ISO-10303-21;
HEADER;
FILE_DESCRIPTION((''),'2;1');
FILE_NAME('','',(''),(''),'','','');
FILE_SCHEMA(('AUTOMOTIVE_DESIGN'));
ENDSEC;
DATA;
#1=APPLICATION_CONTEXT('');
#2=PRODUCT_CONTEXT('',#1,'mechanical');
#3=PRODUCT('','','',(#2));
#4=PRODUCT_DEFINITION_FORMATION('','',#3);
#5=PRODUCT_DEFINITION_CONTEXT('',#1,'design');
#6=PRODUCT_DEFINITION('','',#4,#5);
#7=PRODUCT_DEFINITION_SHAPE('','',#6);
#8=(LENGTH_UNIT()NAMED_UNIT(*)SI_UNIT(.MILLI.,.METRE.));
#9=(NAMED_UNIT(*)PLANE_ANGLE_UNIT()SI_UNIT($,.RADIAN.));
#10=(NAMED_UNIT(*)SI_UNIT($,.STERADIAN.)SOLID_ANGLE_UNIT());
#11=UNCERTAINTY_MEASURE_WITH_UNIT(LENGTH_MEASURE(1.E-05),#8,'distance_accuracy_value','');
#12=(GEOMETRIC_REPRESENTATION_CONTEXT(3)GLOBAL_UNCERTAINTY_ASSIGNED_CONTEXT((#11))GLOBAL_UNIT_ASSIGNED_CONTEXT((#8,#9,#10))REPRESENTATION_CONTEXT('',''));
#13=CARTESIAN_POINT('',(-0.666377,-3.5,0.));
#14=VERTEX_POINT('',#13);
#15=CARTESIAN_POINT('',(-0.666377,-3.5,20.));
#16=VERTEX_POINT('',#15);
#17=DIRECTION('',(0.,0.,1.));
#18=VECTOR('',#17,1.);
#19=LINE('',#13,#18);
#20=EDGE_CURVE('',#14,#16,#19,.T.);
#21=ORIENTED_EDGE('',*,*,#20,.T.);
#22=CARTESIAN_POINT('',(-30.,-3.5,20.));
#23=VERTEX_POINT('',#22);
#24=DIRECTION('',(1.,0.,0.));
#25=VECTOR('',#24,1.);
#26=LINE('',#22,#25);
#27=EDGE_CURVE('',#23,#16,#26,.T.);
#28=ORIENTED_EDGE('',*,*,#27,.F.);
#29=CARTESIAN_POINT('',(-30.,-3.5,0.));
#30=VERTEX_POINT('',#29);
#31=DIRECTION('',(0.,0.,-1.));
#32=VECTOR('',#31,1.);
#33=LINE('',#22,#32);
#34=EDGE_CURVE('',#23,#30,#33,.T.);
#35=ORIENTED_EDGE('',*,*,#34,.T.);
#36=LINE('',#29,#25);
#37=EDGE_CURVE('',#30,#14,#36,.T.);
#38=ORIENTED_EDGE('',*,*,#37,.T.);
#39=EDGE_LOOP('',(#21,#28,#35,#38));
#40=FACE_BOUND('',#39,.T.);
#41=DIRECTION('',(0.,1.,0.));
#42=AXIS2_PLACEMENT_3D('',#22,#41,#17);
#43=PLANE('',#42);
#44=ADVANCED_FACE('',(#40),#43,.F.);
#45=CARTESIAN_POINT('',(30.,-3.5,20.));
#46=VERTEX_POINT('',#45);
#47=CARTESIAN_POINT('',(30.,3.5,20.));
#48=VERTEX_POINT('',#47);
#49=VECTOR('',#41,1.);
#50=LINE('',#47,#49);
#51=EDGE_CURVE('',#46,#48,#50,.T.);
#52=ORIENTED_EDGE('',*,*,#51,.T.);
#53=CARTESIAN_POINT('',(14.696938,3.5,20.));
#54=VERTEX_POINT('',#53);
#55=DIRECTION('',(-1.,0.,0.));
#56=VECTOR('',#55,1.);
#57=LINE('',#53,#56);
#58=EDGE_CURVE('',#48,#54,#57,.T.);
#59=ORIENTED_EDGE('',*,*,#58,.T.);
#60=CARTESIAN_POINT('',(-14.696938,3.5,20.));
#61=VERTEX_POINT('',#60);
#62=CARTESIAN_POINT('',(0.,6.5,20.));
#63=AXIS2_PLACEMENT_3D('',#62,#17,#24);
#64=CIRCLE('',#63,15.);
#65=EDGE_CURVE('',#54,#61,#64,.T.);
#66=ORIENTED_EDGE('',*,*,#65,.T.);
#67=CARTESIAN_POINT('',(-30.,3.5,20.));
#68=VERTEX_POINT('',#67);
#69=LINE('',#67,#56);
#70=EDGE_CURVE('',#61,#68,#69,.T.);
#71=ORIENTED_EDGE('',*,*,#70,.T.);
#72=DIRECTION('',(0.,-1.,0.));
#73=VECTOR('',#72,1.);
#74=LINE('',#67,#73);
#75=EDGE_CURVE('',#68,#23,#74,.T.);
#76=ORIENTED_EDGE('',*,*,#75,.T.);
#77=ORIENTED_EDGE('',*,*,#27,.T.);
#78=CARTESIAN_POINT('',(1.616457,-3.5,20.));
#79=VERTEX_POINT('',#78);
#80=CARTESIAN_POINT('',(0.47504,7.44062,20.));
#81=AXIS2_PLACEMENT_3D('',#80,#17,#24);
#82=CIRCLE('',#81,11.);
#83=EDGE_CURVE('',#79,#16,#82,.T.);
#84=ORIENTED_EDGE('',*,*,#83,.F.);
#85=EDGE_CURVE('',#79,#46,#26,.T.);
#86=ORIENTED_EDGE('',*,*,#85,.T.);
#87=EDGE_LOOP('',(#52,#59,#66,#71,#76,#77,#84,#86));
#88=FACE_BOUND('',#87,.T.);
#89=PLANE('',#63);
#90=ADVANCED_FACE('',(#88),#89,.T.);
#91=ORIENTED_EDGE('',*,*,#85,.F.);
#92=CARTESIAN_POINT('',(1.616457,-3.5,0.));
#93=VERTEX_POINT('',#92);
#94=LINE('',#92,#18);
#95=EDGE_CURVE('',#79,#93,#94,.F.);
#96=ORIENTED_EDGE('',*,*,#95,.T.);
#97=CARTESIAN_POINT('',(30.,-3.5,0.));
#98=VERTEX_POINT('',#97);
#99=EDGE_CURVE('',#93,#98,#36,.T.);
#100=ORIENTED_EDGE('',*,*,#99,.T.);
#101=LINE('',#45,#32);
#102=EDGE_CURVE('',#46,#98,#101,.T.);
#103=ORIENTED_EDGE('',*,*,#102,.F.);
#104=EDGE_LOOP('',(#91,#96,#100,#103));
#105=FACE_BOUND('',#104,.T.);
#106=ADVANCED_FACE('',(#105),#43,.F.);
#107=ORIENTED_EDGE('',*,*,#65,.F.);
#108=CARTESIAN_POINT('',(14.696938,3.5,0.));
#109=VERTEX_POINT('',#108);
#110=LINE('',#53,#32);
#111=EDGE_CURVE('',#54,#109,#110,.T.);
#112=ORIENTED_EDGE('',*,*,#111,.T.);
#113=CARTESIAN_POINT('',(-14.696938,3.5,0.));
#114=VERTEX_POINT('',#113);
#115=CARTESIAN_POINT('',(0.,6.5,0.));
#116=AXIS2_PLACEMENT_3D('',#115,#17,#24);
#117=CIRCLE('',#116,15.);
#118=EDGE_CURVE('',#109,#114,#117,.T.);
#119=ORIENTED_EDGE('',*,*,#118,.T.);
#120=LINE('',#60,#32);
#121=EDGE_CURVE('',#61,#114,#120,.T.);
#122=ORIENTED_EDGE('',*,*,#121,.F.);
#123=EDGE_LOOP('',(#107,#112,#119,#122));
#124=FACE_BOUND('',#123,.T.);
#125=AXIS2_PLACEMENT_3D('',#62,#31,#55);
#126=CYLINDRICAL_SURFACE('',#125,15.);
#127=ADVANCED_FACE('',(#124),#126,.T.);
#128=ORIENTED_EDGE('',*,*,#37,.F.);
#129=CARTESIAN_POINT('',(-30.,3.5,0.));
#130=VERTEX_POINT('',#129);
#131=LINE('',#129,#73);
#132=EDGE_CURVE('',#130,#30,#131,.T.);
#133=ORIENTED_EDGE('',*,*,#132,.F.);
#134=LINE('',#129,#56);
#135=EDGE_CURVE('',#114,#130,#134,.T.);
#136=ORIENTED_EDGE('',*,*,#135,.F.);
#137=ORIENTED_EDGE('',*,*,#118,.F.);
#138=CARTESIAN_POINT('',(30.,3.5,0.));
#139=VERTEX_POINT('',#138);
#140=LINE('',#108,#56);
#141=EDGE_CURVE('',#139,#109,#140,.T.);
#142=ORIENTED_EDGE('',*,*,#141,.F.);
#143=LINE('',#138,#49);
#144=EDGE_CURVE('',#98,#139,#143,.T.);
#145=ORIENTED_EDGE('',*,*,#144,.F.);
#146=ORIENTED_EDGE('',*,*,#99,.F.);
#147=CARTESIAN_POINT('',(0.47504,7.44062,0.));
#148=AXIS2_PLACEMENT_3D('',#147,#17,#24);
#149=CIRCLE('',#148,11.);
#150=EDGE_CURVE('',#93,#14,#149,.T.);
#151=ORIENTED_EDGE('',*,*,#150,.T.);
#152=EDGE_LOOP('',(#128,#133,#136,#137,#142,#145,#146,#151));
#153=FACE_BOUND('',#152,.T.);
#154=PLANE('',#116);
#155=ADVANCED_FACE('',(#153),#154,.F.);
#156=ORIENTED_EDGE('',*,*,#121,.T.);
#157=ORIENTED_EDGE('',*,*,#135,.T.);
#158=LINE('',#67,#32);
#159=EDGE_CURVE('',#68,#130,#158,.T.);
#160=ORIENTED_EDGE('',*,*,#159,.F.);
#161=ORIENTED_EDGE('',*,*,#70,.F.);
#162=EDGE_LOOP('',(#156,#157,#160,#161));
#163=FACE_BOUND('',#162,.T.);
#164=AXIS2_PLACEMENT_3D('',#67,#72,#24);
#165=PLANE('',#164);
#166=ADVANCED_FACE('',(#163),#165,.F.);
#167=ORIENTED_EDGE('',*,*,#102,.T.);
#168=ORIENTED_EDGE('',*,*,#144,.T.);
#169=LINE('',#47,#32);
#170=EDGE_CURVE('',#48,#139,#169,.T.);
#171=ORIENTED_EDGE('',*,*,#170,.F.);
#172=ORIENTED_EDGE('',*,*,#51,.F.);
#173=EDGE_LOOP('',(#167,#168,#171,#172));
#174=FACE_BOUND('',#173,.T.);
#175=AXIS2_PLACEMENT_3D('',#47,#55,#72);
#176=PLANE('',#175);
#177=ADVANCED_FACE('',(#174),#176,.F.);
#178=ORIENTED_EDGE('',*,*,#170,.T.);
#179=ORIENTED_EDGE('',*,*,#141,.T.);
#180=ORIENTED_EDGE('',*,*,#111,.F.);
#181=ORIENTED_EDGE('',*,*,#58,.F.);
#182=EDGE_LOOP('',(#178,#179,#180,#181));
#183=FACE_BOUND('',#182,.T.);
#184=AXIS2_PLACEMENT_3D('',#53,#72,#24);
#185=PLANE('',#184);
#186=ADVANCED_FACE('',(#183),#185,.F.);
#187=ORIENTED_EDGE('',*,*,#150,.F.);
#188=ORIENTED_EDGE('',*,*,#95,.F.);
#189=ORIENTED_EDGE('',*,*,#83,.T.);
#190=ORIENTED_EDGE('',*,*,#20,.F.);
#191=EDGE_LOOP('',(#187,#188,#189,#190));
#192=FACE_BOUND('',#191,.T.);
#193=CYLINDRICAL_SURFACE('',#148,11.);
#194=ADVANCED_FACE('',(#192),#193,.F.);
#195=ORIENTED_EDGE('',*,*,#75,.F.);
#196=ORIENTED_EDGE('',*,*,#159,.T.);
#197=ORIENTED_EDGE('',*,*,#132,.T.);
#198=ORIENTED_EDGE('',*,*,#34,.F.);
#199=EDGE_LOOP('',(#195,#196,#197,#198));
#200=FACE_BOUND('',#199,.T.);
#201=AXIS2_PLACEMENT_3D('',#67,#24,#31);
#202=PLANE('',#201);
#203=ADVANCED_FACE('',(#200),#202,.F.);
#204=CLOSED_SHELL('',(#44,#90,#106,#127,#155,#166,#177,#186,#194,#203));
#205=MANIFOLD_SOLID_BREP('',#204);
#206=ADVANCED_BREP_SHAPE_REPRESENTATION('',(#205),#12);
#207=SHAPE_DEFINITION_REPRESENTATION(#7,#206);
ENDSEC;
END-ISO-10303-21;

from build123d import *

# Parameters (mm, degrees)
BOSS_EXTRUDE1_DEPTH = 20
SKETCH3_R           = 11
CUT_EXTRUDE1_DEPTH  = 42.979161497


with BuildPart() as part:
    # Sketch1 → Boss-Extrude1 (new body)
    with BuildSketch(Plane.XY):
        with BuildLine():
            Line((14.696938457, 3.5), (30, 3.5))
            Line((30, 3.5), (30, -3.5))
            Line((30, -3.5), (-30, -3.5))
            Line((-30, -3.5), (-30, 3.5))
            Line((-30, 3.5), (-14.696938457, 3.5))
            ThreePointArc((-14.696938457, 3.5), (0, 21.5), (14.696938457, 3.5))
        make_face()
    extrude(amount=BOSS_EXTRUDE1_DEPTH)

    # Sketch3 → Cut-Extrude1 (cut, through all)
    with BuildSketch(Plane.XY.offset(20)):
        with Locations((0.475039653, 7.440620043)):
            Circle(SKETCH3_R)
    extrude(amount=-CUT_EXTRUDE1_DEPTH, mode=Mode.SUBTRACT)


solid = part.part
